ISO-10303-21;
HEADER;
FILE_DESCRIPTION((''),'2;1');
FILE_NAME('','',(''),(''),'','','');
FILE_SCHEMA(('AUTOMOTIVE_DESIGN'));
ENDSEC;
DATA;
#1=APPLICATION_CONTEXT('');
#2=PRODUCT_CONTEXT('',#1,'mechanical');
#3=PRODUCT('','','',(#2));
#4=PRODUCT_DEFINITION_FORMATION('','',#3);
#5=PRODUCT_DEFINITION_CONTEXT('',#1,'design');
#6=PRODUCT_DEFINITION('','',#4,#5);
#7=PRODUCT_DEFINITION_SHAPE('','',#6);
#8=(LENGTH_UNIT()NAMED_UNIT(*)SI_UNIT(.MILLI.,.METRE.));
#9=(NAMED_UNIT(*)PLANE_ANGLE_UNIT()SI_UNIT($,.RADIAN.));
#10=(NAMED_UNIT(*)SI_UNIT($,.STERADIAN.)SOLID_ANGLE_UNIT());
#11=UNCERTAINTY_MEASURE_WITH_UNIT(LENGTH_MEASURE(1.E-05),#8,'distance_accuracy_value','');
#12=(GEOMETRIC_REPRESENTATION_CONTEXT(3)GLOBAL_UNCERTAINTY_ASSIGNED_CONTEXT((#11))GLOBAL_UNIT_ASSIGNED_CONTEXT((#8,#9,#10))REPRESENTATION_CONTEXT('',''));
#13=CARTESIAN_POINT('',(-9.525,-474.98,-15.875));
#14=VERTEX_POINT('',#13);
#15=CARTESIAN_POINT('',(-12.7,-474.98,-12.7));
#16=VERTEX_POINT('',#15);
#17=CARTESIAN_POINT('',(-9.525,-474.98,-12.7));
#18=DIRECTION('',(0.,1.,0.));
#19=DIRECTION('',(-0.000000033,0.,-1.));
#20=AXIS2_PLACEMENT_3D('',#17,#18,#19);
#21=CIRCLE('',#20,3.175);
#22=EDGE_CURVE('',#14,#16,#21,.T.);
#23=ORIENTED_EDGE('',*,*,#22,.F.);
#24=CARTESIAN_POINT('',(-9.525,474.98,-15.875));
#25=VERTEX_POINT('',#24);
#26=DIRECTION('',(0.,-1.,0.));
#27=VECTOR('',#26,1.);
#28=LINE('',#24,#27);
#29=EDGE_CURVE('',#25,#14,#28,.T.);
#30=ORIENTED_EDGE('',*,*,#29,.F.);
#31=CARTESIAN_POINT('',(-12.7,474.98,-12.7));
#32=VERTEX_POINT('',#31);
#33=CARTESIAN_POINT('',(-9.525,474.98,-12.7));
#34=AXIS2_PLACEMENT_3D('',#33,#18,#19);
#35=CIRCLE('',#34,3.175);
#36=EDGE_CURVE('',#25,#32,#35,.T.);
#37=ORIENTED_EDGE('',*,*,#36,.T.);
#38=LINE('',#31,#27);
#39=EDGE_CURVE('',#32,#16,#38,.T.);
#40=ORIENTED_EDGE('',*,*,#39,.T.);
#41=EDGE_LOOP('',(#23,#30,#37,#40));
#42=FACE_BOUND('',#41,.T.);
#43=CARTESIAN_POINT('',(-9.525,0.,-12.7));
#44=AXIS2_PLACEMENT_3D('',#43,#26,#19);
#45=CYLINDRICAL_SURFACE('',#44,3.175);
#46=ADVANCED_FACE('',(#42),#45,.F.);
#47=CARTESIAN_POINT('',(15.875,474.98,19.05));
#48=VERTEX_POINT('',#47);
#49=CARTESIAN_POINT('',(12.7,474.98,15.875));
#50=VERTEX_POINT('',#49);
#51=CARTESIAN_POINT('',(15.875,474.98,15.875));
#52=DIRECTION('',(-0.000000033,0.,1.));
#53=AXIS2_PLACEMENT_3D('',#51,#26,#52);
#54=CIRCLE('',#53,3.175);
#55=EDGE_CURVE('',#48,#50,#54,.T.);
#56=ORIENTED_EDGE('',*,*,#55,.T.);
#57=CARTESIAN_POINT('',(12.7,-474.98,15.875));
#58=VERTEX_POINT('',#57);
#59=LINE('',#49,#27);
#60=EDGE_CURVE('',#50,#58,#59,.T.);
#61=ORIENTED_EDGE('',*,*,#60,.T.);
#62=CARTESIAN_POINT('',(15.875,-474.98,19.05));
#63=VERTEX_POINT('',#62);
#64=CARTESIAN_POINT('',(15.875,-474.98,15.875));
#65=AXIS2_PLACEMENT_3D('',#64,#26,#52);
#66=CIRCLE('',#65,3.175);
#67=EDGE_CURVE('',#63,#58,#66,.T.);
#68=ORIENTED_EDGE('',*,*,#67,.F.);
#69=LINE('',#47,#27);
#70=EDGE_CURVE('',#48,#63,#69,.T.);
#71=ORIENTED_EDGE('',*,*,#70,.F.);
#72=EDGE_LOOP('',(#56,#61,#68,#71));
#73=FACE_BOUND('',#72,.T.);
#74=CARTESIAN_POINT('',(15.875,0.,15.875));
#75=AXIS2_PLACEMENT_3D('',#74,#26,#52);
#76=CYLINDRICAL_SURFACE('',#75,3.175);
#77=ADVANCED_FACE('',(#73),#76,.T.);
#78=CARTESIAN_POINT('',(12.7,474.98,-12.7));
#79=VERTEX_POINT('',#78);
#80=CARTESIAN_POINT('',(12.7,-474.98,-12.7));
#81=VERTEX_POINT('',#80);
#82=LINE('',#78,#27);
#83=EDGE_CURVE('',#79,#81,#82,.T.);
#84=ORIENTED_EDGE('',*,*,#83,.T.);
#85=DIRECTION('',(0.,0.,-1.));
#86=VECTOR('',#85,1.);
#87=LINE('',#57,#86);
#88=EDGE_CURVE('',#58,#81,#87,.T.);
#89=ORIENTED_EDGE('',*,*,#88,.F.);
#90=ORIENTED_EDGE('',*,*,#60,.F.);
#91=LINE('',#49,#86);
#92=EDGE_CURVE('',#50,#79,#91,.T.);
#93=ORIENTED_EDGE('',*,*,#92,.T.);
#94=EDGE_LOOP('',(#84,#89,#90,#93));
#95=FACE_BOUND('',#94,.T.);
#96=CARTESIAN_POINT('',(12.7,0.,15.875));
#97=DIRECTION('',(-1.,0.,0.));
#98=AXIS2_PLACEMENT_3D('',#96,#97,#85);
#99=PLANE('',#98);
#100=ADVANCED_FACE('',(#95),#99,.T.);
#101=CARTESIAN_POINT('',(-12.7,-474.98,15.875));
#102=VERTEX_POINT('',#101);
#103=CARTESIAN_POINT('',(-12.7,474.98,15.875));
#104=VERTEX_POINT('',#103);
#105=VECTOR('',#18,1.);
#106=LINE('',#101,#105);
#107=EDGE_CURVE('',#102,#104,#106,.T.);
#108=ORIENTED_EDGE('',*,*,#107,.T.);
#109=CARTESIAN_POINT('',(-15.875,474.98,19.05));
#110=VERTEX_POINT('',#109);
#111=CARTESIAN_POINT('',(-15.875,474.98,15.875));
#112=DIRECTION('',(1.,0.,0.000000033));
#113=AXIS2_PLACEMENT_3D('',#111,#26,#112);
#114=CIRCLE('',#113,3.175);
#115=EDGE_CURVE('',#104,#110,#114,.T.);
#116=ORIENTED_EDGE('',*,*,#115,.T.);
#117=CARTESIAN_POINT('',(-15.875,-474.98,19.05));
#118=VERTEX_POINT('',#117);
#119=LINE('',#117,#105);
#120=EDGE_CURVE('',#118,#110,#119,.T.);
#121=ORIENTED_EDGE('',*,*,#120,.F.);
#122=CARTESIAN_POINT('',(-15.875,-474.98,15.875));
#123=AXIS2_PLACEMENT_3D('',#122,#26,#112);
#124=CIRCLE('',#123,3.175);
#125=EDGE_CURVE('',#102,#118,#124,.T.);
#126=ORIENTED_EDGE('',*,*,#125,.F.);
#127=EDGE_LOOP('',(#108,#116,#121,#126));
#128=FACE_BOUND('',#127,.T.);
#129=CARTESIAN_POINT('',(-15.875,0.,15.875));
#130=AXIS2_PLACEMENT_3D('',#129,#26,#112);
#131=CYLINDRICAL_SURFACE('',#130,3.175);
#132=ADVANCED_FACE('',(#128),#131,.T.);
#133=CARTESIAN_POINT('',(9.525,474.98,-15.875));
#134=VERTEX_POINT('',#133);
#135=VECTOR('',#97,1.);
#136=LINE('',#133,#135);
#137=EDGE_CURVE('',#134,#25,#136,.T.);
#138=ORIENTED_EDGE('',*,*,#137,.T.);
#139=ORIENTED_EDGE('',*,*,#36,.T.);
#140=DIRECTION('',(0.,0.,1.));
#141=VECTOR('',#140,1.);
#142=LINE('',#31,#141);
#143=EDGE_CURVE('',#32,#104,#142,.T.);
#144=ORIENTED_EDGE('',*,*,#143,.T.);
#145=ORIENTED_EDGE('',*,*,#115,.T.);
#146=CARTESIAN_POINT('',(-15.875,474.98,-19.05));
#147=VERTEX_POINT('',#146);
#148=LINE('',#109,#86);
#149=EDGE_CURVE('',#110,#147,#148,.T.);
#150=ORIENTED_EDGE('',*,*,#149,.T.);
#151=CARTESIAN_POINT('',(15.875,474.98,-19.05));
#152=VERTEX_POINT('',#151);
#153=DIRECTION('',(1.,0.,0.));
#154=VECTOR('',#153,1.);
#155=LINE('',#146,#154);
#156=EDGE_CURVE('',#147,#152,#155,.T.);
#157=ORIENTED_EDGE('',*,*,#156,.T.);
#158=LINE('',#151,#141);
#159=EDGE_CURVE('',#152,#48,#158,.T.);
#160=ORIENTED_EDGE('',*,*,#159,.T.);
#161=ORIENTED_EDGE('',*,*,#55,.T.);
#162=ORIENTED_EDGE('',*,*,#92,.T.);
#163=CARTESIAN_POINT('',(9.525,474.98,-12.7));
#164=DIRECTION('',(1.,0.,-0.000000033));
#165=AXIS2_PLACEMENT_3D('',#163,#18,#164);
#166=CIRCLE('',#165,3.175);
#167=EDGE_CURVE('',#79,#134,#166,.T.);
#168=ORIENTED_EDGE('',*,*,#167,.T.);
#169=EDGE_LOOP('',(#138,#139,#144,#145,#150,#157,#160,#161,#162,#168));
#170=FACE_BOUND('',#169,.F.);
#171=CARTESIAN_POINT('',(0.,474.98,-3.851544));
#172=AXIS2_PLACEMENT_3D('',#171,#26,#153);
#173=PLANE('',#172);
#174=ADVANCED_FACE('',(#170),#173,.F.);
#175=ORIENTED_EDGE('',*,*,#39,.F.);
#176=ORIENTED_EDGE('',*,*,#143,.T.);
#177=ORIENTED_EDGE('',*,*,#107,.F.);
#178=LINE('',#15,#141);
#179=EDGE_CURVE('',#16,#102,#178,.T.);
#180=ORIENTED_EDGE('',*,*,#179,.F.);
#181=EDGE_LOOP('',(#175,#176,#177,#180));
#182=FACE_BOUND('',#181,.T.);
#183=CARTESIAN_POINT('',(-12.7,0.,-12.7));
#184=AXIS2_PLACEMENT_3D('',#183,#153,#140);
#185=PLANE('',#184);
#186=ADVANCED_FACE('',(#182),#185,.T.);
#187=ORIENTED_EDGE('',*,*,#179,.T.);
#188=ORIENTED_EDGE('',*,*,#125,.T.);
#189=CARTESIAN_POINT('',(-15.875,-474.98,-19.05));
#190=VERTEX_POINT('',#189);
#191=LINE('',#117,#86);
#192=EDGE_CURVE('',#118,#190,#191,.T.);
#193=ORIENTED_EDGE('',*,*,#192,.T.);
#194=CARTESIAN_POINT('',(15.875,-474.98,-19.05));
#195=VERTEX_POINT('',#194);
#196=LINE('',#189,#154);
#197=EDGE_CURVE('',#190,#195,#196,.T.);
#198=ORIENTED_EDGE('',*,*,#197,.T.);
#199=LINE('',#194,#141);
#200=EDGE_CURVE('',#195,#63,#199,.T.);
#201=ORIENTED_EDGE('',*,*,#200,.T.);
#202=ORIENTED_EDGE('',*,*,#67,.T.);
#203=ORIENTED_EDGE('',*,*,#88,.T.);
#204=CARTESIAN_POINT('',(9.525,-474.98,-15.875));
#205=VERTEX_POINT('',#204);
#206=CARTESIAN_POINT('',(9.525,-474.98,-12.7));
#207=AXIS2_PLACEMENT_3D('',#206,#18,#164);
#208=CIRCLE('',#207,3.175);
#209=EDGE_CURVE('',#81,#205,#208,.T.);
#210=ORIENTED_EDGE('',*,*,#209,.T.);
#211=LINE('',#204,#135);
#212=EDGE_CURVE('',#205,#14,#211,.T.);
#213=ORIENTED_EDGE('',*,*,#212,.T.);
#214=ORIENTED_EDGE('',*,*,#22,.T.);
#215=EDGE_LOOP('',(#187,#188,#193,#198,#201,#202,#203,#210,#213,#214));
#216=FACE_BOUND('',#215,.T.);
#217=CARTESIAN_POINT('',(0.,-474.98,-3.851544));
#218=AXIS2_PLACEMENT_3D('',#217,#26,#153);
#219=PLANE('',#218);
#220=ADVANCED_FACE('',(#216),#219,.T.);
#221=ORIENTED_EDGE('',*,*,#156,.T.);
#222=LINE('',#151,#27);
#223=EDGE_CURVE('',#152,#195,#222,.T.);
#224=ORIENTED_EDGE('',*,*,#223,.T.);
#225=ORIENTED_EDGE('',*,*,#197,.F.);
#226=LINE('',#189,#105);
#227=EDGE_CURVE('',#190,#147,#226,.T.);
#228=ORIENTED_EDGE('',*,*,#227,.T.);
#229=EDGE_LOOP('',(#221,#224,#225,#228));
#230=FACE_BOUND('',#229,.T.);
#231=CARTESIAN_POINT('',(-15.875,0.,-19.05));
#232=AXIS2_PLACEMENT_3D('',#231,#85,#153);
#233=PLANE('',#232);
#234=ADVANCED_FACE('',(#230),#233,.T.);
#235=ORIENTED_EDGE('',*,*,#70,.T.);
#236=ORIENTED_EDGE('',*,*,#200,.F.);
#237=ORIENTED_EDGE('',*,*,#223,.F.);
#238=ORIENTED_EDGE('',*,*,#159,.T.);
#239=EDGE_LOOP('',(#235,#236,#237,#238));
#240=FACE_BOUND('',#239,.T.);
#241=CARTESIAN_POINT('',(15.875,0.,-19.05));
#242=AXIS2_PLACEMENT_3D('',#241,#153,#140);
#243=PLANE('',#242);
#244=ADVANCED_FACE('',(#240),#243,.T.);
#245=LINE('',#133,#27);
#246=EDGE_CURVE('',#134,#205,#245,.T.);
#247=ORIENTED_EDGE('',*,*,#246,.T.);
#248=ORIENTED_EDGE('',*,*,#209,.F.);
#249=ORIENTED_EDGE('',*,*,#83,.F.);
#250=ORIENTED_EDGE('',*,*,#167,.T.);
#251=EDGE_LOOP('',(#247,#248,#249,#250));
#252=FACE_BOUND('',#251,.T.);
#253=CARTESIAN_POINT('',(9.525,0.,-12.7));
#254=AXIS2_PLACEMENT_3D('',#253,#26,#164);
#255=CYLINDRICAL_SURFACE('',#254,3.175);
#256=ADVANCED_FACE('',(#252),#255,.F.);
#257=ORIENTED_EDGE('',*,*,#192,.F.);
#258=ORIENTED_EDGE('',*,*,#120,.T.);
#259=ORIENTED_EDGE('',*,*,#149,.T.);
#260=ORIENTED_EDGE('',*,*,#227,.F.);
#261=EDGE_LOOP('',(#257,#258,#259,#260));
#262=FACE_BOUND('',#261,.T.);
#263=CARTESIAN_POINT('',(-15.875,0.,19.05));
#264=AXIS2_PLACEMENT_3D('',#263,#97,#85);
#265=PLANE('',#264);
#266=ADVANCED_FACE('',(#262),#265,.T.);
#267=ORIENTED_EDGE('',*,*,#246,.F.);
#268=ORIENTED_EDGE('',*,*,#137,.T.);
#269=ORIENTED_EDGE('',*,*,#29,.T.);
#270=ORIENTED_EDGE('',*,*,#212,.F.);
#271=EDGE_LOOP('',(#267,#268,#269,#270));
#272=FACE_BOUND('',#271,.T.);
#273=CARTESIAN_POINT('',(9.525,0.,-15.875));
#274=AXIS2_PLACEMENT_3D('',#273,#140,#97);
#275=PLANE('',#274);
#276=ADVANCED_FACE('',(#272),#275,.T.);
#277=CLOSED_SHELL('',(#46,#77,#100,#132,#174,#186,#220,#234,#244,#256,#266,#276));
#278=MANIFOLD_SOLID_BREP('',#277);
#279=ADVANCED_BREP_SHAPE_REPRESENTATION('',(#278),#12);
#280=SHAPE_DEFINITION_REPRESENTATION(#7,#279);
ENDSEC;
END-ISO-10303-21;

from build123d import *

# Parameters (mm, degrees)
F1_DEPTH = 474.98


with BuildPart() as f1:
    # F0 (on Front) → F1 (new body, symmetric)
    with BuildSketch(Plane.XZ):
        with BuildLine():
            Line((-15.875, -19.05), (15.875, -19.05))
            Line((15.875, -19.05), (15.875, 19.05))
            ThreePointArc((15.875, 19.05), (13.629936, 18.120064), (12.7, 15.875))
            Line((12.7, 15.875), (12.7, -12.7))
            ThreePointArc((12.7, -12.7), (11.770064, -14.945064), (9.525, -15.875))
            Line((9.525, -15.875), (-9.525, -15.875))
            ThreePointArc((-9.525, -15.875), (-11.770064, -14.945064), (-12.7, -12.7))
            Line((-12.7, -12.7), (-12.7, 15.875))
            ThreePointArc((-12.7, 15.875), (-13.629936, 18.120064), (-15.875, 19.05))
            Line((-15.875, 19.05), (-15.875, -19.05))
        make_face()
    extrude(amount=F1_DEPTH, both=True)


solid = f1.part
